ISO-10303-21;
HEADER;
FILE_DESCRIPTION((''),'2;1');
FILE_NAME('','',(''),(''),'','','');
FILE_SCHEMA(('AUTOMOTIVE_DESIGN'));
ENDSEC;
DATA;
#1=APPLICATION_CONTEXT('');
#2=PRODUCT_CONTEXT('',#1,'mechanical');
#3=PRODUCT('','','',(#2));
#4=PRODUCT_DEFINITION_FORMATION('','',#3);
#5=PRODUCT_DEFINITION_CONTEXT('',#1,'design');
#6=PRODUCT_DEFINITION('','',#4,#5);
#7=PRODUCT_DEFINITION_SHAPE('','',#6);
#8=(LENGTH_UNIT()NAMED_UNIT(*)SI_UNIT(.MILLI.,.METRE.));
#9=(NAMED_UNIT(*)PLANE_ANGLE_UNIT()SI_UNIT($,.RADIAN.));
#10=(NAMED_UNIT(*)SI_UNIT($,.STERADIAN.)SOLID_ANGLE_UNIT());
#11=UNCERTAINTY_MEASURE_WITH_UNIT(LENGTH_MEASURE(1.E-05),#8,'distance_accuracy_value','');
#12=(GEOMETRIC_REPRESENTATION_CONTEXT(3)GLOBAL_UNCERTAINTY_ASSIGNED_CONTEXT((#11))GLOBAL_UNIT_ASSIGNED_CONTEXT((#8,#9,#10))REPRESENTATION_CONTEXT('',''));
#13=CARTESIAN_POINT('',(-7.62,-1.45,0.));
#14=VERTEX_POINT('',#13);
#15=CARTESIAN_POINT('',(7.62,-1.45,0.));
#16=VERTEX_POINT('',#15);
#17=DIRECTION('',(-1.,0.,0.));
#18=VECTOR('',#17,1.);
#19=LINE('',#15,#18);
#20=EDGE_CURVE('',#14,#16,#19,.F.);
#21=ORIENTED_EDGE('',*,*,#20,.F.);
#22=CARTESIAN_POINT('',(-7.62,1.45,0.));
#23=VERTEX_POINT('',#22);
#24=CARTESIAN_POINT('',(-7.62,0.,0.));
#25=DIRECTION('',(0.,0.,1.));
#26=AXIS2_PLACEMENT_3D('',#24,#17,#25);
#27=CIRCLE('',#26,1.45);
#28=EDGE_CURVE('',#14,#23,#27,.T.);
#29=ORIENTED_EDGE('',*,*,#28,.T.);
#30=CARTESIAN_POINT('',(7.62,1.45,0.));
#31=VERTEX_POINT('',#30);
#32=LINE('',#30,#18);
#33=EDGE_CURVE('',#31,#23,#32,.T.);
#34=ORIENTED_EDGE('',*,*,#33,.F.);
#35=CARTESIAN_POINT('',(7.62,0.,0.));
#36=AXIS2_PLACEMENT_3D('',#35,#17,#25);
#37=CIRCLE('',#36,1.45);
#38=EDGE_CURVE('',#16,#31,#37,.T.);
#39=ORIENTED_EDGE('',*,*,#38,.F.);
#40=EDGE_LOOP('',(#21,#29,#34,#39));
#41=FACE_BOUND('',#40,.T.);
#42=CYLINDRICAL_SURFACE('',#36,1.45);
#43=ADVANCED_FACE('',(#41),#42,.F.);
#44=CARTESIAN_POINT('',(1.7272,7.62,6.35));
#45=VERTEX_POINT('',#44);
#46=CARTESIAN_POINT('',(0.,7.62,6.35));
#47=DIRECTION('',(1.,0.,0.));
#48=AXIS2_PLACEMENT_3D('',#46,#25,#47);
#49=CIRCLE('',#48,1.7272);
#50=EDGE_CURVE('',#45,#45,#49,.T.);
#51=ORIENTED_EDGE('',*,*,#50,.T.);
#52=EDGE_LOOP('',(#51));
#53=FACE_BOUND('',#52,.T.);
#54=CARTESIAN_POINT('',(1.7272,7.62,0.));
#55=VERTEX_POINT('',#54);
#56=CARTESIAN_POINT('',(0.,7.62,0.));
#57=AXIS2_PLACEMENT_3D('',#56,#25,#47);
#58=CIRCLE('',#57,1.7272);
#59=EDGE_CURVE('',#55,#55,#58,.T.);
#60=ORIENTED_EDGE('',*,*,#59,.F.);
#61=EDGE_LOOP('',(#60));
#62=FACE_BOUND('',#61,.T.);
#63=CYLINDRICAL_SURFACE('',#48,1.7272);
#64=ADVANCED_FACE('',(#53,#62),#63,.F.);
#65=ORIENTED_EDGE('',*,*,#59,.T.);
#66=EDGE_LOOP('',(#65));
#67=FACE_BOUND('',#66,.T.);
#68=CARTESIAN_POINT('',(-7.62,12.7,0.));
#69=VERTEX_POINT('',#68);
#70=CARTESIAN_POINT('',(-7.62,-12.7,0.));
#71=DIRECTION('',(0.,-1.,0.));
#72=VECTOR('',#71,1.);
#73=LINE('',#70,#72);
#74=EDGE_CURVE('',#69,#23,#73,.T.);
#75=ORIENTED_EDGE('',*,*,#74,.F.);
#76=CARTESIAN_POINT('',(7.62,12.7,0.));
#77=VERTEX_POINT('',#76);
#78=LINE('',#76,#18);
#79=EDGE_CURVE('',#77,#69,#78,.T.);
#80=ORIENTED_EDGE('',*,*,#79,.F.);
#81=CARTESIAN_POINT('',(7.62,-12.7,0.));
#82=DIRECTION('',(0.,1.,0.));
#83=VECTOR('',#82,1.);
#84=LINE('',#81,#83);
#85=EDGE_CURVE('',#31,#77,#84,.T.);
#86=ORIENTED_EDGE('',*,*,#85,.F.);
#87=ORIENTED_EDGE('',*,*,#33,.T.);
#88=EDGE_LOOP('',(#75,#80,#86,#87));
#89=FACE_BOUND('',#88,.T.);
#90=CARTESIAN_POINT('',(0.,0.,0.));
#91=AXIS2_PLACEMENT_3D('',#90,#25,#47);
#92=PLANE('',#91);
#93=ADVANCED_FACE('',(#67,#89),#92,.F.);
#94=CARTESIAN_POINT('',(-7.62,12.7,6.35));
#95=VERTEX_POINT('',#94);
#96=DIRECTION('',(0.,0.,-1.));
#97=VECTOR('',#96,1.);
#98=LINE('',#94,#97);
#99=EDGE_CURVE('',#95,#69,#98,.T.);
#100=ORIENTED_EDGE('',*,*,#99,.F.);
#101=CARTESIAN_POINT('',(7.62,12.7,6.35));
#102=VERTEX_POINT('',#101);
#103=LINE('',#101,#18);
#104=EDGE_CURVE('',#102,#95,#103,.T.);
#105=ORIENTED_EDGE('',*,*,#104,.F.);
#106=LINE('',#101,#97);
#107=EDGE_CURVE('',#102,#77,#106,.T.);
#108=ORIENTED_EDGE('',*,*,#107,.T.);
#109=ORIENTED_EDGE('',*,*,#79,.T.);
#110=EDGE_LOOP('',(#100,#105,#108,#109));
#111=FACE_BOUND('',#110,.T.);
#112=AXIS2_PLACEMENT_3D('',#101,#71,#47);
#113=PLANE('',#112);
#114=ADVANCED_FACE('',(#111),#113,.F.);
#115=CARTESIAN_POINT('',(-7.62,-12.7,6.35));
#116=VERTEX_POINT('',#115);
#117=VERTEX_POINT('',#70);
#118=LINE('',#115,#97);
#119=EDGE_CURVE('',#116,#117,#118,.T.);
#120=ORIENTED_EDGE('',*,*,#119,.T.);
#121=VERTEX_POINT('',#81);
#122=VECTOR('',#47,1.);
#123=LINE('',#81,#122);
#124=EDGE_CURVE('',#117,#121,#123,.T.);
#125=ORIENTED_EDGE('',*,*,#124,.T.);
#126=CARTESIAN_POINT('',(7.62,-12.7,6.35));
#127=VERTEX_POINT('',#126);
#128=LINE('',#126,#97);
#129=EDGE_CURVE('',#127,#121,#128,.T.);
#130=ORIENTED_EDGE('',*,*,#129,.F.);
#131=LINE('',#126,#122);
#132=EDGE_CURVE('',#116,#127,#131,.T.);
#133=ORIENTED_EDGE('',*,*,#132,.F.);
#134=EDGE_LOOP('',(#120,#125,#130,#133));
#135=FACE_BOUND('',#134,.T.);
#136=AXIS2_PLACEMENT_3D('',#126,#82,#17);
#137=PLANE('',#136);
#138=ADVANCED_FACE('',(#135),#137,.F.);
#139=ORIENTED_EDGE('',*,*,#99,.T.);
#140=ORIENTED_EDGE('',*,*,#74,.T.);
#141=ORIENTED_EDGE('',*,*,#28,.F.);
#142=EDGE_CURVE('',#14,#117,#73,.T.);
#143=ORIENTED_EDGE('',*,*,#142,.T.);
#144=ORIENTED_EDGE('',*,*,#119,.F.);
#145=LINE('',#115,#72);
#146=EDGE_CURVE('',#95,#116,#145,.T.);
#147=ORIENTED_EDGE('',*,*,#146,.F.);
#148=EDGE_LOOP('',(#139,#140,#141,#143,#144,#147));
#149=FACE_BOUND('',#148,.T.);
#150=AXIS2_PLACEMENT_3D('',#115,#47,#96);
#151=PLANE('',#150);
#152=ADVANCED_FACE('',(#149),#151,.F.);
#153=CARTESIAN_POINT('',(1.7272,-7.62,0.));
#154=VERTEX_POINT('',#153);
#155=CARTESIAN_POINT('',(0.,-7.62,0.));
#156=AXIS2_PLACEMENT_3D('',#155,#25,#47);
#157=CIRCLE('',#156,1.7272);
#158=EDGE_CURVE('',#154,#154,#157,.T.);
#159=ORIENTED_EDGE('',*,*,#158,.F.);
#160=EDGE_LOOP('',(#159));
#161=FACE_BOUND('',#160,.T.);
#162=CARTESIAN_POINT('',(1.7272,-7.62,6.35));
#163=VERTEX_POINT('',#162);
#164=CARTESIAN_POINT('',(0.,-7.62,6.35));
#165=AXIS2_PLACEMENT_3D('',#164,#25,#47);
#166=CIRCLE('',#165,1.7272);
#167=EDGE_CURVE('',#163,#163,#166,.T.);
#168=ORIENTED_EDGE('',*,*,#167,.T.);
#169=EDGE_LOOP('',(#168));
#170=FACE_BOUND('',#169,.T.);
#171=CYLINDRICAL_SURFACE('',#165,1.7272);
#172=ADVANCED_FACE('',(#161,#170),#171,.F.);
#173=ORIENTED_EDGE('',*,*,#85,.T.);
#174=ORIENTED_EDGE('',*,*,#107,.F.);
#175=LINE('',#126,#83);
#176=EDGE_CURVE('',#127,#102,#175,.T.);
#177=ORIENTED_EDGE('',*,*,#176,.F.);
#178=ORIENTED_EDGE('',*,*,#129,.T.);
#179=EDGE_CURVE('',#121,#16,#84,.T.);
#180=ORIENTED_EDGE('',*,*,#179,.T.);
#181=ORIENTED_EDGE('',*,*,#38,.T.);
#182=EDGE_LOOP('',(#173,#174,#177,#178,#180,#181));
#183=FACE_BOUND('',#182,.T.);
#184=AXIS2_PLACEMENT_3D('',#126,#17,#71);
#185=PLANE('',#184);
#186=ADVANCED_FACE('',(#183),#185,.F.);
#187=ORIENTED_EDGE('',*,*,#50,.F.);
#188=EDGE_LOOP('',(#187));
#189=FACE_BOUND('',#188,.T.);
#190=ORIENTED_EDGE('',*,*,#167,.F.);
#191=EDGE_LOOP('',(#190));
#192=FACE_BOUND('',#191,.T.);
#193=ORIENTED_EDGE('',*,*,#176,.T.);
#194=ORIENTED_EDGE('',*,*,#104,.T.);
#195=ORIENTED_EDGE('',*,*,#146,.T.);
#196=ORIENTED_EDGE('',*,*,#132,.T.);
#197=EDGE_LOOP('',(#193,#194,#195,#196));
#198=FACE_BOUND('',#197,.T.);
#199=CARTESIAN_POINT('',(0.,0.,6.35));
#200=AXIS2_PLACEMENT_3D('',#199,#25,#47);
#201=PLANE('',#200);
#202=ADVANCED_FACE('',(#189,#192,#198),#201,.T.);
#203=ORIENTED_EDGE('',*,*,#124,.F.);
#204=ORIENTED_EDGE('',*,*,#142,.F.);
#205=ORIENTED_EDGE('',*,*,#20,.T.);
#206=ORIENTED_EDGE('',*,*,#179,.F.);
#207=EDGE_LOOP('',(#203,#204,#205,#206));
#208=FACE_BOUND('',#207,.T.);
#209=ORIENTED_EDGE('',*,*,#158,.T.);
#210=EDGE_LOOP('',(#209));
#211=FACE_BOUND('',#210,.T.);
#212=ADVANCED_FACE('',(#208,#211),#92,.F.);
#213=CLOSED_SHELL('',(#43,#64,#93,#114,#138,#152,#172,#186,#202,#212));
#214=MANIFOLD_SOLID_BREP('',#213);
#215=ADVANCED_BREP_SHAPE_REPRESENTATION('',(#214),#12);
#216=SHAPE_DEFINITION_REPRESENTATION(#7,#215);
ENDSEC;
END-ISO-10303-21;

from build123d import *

# Parameters (mm, degrees)
SKETCH1_W                   = 15.24
SKETCH1_H                   = 25.4
BOSS_EXTRUDE1_DEPTH         = 6.35
F_29_0_136_DIAMETER_HOLE1_D = 3.4544
SKETCH6_R                   = 1.45
CUT_EXTRUDE1_DEPTH          = 16.24


with BuildPart() as part:
    # Sketch1 → Boss-Extrude1 (new body)
    with BuildSketch(Plane.XY):
        Rectangle(SKETCH1_W, SKETCH1_H)
    extrude(amount=BOSS_EXTRUDE1_DEPTH)

    # #29 (0.136) Diameter Hole1 (through all)
    with Locations(Plane.XY.offset(6.35)):
        with Locations((0, -7.62), (0, 7.62)):
            Hole(F_29_0_136_DIAMETER_HOLE1_D / 2)

    # Sketch6 → Cut-Extrude1 (cut, through all)
    with BuildSketch(Plane.ZY.offset(7.62)):
        Circle(SKETCH6_R)
    extrude(amount=-CUT_EXTRUDE1_DEPTH, mode=Mode.SUBTRACT)


solid = part.part
